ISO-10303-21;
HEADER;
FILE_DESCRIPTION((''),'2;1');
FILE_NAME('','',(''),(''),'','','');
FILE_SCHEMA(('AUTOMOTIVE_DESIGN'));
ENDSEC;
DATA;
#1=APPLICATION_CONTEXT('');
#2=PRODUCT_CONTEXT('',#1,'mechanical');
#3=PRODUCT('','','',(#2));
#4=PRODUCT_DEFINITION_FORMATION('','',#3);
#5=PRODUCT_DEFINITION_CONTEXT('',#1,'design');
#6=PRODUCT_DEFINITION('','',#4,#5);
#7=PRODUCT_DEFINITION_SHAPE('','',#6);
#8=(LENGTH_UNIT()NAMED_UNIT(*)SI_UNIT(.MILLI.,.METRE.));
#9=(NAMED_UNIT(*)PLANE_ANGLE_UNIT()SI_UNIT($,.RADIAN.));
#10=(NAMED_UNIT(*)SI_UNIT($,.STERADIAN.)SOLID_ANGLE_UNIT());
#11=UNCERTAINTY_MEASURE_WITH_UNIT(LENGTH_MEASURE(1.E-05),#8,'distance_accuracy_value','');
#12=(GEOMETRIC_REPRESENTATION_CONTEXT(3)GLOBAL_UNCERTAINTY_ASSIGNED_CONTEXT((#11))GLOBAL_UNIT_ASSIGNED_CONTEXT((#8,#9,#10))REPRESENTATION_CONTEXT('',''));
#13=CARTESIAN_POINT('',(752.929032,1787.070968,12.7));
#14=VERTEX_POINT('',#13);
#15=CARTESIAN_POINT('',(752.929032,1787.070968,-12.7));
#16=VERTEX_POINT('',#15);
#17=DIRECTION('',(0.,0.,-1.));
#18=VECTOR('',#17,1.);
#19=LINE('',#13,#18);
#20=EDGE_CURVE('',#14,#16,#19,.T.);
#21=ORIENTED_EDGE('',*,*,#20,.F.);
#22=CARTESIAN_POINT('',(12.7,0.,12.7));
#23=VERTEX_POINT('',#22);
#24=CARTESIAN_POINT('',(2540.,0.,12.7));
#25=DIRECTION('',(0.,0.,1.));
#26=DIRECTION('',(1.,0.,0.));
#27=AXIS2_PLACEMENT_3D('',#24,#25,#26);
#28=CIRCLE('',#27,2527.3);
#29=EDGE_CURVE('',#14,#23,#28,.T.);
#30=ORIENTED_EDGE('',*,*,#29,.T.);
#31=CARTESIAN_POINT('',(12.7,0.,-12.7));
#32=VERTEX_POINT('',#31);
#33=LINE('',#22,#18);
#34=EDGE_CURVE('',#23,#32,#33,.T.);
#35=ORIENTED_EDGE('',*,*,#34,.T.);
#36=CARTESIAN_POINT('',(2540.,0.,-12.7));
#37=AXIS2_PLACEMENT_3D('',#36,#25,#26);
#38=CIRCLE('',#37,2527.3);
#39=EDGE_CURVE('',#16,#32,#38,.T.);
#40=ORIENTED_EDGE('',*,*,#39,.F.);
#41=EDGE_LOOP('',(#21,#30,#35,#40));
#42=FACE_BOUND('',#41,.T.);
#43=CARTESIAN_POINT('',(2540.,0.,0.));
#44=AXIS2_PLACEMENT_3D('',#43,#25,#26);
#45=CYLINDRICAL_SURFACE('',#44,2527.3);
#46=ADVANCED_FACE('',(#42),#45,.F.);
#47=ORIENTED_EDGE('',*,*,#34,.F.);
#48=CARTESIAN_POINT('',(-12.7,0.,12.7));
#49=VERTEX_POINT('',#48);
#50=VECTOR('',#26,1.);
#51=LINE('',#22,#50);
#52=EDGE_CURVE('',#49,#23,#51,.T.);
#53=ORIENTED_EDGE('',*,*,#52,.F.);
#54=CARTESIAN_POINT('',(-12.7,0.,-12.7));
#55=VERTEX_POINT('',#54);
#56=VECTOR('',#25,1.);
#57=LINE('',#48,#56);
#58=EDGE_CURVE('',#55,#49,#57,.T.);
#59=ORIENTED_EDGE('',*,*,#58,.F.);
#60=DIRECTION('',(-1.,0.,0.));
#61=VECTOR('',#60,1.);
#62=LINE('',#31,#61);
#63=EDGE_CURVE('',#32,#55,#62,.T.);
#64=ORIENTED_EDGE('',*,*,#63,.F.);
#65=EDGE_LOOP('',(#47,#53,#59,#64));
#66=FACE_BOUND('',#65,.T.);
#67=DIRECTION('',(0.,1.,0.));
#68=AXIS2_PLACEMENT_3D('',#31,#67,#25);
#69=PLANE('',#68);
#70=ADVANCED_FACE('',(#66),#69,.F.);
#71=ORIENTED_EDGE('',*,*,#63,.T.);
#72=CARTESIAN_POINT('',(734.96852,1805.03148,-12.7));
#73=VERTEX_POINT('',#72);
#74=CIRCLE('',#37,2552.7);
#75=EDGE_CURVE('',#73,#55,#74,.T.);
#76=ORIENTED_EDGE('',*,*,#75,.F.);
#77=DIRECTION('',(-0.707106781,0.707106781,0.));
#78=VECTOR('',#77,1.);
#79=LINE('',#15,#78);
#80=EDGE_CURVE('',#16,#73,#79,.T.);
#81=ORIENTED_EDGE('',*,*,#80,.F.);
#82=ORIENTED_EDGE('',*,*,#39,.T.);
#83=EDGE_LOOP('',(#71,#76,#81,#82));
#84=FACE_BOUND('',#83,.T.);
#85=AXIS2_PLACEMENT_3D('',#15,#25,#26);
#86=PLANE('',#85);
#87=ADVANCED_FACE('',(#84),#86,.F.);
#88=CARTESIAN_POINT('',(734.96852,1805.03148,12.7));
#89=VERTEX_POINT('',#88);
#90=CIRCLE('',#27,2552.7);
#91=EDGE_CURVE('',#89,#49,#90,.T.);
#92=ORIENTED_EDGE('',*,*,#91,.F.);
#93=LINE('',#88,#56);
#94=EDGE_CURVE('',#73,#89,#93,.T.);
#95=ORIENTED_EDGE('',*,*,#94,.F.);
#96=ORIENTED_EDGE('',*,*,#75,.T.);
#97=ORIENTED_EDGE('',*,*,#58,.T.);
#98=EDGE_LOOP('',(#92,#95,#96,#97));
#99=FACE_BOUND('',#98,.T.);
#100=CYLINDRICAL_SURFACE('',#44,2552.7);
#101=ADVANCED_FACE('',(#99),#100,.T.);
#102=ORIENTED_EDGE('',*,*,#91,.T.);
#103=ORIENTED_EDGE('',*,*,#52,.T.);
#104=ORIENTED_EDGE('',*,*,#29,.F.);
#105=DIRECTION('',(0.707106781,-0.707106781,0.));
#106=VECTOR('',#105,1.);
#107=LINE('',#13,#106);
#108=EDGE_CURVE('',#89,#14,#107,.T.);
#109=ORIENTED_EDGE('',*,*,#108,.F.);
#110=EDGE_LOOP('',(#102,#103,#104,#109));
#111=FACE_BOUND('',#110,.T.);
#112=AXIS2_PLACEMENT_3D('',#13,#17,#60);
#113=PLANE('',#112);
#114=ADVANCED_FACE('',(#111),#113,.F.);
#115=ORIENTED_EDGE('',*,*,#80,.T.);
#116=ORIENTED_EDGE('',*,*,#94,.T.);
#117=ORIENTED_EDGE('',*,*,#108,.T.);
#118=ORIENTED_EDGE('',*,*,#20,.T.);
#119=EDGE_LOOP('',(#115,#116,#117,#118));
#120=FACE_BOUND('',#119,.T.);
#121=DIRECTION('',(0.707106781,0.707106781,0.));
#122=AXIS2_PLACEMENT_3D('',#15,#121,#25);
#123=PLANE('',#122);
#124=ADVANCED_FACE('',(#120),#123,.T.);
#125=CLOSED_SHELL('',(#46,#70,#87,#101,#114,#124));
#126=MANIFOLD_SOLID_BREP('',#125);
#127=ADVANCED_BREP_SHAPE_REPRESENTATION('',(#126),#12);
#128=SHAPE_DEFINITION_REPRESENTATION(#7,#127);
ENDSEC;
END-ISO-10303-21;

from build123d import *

# Parameters (mm, degrees)
SKETCH4_W      = 25.4
SKETCH4_H      = 25.4
REVOLVE1_ANGLE = 45


with BuildPart() as part:
    # Sketch4 → Revolve1 (revolve)
    with BuildSketch(Plane(origin=(0, 0, 0), x_dir=(1, 0, 0), z_dir=(0, 1, 0))):
        Rectangle(SKETCH4_W, SKETCH4_H)
    revolve(axis=Axis((2540, 0, 0), (0, 0, -1)), revolution_arc=REVOLVE1_ANGLE)


solid = part.part
